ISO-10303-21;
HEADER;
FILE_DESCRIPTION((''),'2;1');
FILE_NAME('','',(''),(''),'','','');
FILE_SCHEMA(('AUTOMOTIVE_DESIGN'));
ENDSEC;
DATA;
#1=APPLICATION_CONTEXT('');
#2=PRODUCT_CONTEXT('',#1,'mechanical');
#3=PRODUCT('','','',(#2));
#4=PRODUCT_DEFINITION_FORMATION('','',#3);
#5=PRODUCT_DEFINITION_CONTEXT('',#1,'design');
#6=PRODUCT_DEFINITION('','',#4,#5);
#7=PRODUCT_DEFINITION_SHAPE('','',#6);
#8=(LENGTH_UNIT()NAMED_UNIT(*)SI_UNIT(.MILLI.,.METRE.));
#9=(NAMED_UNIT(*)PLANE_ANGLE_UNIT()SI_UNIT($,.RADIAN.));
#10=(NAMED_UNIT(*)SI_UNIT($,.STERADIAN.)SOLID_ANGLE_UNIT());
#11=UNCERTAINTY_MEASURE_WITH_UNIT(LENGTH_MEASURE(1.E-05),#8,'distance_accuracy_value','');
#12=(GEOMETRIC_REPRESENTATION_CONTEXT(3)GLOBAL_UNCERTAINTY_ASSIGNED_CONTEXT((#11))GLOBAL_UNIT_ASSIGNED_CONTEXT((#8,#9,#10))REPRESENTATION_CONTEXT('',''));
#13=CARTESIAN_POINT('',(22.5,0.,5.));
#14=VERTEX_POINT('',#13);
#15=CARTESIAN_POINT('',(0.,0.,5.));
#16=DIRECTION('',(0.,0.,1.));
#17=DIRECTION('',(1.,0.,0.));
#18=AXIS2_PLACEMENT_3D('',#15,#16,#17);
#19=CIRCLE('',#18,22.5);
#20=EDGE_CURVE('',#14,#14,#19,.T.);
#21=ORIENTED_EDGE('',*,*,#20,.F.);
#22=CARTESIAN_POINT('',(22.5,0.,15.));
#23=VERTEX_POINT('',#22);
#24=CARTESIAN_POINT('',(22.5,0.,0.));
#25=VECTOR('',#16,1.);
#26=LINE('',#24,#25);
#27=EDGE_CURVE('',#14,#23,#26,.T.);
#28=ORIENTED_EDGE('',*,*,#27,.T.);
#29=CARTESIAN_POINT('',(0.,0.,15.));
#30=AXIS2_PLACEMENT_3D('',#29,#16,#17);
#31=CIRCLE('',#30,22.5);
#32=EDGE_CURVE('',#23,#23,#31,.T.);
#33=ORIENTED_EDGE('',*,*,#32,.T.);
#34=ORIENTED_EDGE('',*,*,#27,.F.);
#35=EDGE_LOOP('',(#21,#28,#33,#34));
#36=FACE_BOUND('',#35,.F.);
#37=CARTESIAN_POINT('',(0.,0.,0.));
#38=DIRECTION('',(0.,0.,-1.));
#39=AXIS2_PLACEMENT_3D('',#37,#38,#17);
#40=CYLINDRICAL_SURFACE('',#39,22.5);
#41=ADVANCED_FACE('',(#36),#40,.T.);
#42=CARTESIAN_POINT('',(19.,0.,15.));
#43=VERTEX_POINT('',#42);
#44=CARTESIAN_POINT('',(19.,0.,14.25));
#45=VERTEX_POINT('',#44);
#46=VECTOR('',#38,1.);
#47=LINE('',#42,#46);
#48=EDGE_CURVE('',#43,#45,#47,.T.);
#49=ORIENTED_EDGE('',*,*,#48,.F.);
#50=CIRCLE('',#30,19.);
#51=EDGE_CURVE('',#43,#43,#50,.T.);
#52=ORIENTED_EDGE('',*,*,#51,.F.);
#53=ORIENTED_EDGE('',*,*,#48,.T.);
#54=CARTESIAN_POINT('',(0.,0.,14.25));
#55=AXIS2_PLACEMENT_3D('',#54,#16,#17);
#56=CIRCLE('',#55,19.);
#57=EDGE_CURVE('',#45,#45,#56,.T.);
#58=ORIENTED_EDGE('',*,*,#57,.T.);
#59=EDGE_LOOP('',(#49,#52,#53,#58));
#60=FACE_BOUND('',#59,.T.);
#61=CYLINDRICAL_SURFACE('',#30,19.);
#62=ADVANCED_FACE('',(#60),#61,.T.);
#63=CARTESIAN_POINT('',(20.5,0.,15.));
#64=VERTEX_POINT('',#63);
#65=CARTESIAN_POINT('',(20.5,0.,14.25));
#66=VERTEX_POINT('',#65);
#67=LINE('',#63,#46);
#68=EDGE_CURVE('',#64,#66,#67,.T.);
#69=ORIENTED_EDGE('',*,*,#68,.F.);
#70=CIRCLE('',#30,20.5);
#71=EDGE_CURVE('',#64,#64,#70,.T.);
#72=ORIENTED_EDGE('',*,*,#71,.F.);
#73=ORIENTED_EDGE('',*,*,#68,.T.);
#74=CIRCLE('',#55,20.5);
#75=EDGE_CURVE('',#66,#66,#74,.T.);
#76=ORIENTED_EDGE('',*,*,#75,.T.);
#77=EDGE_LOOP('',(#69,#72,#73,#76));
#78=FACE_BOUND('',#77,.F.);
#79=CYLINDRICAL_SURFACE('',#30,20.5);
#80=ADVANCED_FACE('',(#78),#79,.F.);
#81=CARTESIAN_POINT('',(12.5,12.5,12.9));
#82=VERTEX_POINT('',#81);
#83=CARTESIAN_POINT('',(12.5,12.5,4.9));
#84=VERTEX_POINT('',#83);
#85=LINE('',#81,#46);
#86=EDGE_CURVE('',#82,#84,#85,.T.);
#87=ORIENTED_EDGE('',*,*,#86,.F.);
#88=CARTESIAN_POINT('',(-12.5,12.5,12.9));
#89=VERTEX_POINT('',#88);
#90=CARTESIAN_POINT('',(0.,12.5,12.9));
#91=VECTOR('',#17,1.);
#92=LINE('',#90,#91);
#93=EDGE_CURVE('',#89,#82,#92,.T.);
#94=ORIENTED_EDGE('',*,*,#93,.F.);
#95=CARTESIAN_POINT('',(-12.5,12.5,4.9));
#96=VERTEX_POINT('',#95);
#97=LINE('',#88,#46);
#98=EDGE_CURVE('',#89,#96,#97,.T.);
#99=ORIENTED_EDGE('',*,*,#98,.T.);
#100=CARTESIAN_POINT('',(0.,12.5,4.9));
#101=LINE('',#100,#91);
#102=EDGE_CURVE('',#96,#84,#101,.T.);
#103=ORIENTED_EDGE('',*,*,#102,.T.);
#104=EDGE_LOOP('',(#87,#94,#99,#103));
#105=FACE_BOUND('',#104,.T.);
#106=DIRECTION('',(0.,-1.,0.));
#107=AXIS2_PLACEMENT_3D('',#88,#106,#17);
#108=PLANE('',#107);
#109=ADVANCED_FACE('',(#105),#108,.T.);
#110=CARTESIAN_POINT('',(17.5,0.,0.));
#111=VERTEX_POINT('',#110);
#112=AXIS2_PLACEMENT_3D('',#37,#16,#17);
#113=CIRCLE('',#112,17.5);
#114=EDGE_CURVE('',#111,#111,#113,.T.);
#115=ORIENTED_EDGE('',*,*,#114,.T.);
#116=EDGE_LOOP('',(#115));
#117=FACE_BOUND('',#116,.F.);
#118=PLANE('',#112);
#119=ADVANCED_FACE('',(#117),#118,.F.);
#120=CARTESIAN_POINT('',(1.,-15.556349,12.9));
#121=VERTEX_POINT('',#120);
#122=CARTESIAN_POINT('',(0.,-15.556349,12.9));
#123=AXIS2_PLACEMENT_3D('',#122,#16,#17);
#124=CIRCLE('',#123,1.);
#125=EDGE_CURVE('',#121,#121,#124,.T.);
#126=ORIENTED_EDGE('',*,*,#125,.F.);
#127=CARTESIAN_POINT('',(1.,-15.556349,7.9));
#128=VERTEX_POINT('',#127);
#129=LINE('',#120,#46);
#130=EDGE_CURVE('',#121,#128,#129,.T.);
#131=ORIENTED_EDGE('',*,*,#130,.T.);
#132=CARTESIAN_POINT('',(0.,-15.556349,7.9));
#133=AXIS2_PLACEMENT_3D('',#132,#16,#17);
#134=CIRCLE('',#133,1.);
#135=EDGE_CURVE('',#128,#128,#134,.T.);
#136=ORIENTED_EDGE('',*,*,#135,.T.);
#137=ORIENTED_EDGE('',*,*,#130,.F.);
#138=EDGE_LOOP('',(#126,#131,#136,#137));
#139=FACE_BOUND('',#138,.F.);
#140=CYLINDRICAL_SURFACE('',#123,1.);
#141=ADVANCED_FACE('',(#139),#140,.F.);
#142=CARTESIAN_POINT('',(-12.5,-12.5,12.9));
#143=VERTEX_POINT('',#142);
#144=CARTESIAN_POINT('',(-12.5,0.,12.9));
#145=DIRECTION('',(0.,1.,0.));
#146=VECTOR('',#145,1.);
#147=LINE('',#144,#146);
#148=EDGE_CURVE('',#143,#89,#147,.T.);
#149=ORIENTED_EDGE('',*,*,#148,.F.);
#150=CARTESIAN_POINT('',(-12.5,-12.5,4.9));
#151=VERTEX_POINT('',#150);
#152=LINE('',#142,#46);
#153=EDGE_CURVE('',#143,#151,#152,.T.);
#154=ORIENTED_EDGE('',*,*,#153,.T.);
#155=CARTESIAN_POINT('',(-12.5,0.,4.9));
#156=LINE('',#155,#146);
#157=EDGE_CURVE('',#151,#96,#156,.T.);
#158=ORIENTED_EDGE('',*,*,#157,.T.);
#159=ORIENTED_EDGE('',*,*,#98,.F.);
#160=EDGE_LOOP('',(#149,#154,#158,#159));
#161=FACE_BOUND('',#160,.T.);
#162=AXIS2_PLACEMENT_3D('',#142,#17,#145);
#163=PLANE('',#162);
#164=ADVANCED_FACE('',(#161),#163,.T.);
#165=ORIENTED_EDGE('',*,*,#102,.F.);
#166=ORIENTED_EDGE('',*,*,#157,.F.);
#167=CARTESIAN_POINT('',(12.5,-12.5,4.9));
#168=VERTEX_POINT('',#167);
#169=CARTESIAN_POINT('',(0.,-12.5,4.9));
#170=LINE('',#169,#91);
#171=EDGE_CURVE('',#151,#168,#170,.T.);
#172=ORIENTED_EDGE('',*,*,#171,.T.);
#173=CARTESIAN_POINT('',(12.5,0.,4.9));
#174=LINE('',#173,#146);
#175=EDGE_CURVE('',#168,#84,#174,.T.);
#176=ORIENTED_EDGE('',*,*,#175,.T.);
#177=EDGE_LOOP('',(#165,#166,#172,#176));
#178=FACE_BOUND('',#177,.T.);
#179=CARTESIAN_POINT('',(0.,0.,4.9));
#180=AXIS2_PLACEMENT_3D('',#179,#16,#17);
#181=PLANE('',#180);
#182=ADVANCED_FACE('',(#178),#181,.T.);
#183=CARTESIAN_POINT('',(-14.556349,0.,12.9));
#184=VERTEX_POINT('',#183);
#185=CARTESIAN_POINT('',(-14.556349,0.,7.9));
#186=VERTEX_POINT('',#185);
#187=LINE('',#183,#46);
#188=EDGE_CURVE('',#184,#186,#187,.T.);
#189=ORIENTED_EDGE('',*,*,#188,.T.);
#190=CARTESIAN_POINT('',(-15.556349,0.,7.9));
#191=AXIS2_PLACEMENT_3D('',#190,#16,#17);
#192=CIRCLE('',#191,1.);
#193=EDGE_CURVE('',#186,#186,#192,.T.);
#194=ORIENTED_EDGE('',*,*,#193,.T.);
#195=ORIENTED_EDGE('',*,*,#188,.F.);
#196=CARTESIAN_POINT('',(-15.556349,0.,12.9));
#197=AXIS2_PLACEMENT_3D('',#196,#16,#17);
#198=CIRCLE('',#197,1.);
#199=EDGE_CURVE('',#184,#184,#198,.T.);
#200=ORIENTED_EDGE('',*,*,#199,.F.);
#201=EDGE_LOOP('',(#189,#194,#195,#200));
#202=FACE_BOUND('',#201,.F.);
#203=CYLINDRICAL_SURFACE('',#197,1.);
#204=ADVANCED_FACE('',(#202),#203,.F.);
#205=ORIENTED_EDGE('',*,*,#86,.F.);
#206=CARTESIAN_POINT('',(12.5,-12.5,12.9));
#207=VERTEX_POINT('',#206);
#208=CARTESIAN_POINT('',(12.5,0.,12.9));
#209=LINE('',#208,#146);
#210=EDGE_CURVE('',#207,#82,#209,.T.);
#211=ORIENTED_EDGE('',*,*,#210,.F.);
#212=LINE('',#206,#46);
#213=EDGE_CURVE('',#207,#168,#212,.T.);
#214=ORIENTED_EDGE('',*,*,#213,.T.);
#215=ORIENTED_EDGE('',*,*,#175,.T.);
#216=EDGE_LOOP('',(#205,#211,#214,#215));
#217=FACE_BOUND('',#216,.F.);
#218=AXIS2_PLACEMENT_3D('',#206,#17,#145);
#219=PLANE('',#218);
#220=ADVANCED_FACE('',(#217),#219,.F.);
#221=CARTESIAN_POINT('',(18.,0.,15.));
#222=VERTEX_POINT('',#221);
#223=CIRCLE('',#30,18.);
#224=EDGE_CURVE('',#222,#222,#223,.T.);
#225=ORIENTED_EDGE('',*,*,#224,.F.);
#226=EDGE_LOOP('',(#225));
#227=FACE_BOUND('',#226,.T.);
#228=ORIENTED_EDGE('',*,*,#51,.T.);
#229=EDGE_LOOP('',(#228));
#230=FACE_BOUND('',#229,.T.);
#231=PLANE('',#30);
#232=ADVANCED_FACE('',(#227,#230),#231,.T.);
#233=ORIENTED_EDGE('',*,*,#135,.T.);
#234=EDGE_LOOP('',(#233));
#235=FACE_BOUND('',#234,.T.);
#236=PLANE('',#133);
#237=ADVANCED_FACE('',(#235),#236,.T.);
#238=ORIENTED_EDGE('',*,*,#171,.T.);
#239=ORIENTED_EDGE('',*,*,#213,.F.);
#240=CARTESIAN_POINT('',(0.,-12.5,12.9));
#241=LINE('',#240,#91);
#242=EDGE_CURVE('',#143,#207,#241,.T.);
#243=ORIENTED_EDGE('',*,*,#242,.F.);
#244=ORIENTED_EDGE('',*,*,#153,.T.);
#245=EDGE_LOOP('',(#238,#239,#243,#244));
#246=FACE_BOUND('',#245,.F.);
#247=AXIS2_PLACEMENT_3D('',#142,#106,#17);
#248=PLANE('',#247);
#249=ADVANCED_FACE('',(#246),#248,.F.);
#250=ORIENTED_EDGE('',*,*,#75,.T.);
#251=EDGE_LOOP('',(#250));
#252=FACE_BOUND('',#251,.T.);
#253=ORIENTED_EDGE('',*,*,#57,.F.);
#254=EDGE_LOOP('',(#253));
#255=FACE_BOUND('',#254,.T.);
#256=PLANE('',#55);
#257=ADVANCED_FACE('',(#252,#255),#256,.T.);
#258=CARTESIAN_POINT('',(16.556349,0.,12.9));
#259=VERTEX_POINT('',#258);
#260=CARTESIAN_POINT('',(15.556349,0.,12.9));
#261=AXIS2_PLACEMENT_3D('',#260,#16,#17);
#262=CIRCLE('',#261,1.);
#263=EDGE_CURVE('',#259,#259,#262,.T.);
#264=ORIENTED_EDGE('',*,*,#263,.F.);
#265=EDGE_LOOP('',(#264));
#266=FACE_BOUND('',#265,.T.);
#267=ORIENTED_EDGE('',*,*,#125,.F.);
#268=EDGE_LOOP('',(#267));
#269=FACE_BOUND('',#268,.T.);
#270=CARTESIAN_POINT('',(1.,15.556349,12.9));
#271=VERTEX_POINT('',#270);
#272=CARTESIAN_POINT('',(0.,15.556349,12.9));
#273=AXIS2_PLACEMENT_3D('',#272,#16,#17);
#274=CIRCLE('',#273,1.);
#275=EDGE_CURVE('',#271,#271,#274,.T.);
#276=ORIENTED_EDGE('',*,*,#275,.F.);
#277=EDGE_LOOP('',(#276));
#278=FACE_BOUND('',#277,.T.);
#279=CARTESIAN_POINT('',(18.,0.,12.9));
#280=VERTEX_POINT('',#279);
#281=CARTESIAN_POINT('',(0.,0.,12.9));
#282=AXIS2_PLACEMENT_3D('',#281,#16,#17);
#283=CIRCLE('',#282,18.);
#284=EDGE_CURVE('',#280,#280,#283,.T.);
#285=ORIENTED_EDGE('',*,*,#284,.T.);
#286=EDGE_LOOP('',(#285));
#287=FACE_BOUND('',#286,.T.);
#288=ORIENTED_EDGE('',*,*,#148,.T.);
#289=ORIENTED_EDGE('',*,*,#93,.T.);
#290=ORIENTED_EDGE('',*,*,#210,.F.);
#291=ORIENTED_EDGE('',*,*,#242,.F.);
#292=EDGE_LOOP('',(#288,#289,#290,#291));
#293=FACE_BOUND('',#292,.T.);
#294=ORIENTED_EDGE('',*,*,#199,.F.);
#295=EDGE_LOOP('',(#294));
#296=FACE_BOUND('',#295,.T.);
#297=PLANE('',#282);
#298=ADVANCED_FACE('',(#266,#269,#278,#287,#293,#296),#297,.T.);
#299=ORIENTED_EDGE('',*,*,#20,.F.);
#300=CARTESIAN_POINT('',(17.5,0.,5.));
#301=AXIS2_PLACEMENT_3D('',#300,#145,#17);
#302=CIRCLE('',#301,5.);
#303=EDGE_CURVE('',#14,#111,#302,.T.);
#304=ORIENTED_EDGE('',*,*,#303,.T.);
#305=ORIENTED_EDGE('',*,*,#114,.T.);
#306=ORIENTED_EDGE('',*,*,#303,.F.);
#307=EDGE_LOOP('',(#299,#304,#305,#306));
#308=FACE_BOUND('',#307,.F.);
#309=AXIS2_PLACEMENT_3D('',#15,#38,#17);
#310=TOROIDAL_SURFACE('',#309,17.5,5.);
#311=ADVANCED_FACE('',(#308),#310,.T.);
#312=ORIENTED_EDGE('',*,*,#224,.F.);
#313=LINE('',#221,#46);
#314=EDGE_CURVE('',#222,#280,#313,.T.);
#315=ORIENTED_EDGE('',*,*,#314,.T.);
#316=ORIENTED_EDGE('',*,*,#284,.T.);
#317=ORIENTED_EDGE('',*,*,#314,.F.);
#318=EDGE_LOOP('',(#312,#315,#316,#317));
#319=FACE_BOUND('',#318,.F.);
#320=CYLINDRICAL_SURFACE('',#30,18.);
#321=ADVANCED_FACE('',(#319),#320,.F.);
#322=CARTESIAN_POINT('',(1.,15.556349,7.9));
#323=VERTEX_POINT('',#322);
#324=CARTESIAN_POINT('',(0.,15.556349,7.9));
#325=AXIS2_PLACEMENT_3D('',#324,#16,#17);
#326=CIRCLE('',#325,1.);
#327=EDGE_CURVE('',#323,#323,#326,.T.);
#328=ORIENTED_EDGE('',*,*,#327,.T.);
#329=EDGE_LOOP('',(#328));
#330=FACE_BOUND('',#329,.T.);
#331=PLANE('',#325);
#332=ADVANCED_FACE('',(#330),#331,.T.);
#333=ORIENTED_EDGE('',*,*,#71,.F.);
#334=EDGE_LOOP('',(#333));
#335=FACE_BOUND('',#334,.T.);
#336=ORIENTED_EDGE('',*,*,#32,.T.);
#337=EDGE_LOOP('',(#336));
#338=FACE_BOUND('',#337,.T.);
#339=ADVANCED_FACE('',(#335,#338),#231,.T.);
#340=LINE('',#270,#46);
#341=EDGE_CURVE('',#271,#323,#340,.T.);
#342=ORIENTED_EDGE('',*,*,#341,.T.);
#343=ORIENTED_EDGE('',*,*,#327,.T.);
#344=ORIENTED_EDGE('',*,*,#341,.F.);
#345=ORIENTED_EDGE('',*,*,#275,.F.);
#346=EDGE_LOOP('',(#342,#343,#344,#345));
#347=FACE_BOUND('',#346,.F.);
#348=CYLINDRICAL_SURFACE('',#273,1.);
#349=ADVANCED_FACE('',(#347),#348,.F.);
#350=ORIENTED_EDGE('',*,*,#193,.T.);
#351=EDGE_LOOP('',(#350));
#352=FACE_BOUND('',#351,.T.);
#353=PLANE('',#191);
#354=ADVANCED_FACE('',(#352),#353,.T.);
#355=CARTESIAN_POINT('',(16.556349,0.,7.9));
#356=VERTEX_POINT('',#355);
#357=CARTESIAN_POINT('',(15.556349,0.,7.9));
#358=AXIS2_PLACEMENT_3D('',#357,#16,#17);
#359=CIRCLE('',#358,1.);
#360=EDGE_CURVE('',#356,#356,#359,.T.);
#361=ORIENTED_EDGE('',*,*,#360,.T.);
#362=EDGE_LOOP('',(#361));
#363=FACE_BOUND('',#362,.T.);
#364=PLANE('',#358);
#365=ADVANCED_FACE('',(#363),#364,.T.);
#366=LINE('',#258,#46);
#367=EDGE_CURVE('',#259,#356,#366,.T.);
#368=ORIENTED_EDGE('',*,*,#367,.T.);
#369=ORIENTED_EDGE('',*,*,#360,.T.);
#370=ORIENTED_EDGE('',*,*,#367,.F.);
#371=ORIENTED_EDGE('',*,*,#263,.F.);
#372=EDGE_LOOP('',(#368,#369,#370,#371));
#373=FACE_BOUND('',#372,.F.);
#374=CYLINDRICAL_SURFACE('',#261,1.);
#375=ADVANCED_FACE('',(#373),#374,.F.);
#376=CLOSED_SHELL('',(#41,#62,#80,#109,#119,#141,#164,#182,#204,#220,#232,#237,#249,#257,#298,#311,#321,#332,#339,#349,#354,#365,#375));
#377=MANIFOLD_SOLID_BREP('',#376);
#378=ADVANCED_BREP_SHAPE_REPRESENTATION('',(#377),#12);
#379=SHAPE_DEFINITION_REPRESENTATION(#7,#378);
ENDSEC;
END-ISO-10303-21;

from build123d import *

# Parameters (mm, degrees)
F0_R      = 22.5
F1_DEPTH  = 15
F2_R      = 18
F3_DEPTH  = 2.1
F4_W      = 25
F4_H      = 25
F5_DEPTH  = 8
F6_R      = 5
F7_R      = 1
F8_DEPTH  = 5
F9_R      = 20.5
F9_R_2    = 19
F10_DEPTH = 0.75


with BuildPart() as f1:
    # F0 (on Top) → F1 (new body)
    with BuildSketch(Plane.XY):
        Circle(F0_R)
    extrude(amount=F1_DEPTH)

    # F2 (on face) → F3 (cut)
    with BuildSketch(Plane.XY.offset(15)):
        Circle(F2_R)
    extrude(amount=-F3_DEPTH, mode=Mode.SUBTRACT)

    # F4 (on face) → F5 (cut)
    with BuildSketch(Plane.XY.offset(12.9)):
        Rectangle(F4_W, F4_H)
    extrude(amount=-F5_DEPTH, mode=Mode.SUBTRACT)

    # F6
    f6_edges = [f1.edges().sort_by_distance(p)[0] for p in [
        (-22.5, 0, 0),
    ]]
    fillet(f6_edges, radius=F6_R)

    # F7 (on face) → F8 (cut)
    with BuildSketch(Plane.XY.offset(12.9)):
        with Locations((0, 15.556349)):
            Circle(F7_R)
        with Locations((15.556349, 0)):
            Circle(F7_R)
        with Locations((-15.556349, 0)):
            Circle(F7_R)
        with Locations((0, -15.556349)):
            Circle(F7_R)
    extrude(amount=-F8_DEPTH, mode=Mode.SUBTRACT)

    # F9 (on face) → F10 (cut)
    with BuildSketch(Plane.XY.offset(15)):
        Circle(F9_R)
        Circle(F9_R_2, mode=Mode.SUBTRACT)
    extrude(amount=-F10_DEPTH, mode=Mode.SUBTRACT)


solid = f1.part
